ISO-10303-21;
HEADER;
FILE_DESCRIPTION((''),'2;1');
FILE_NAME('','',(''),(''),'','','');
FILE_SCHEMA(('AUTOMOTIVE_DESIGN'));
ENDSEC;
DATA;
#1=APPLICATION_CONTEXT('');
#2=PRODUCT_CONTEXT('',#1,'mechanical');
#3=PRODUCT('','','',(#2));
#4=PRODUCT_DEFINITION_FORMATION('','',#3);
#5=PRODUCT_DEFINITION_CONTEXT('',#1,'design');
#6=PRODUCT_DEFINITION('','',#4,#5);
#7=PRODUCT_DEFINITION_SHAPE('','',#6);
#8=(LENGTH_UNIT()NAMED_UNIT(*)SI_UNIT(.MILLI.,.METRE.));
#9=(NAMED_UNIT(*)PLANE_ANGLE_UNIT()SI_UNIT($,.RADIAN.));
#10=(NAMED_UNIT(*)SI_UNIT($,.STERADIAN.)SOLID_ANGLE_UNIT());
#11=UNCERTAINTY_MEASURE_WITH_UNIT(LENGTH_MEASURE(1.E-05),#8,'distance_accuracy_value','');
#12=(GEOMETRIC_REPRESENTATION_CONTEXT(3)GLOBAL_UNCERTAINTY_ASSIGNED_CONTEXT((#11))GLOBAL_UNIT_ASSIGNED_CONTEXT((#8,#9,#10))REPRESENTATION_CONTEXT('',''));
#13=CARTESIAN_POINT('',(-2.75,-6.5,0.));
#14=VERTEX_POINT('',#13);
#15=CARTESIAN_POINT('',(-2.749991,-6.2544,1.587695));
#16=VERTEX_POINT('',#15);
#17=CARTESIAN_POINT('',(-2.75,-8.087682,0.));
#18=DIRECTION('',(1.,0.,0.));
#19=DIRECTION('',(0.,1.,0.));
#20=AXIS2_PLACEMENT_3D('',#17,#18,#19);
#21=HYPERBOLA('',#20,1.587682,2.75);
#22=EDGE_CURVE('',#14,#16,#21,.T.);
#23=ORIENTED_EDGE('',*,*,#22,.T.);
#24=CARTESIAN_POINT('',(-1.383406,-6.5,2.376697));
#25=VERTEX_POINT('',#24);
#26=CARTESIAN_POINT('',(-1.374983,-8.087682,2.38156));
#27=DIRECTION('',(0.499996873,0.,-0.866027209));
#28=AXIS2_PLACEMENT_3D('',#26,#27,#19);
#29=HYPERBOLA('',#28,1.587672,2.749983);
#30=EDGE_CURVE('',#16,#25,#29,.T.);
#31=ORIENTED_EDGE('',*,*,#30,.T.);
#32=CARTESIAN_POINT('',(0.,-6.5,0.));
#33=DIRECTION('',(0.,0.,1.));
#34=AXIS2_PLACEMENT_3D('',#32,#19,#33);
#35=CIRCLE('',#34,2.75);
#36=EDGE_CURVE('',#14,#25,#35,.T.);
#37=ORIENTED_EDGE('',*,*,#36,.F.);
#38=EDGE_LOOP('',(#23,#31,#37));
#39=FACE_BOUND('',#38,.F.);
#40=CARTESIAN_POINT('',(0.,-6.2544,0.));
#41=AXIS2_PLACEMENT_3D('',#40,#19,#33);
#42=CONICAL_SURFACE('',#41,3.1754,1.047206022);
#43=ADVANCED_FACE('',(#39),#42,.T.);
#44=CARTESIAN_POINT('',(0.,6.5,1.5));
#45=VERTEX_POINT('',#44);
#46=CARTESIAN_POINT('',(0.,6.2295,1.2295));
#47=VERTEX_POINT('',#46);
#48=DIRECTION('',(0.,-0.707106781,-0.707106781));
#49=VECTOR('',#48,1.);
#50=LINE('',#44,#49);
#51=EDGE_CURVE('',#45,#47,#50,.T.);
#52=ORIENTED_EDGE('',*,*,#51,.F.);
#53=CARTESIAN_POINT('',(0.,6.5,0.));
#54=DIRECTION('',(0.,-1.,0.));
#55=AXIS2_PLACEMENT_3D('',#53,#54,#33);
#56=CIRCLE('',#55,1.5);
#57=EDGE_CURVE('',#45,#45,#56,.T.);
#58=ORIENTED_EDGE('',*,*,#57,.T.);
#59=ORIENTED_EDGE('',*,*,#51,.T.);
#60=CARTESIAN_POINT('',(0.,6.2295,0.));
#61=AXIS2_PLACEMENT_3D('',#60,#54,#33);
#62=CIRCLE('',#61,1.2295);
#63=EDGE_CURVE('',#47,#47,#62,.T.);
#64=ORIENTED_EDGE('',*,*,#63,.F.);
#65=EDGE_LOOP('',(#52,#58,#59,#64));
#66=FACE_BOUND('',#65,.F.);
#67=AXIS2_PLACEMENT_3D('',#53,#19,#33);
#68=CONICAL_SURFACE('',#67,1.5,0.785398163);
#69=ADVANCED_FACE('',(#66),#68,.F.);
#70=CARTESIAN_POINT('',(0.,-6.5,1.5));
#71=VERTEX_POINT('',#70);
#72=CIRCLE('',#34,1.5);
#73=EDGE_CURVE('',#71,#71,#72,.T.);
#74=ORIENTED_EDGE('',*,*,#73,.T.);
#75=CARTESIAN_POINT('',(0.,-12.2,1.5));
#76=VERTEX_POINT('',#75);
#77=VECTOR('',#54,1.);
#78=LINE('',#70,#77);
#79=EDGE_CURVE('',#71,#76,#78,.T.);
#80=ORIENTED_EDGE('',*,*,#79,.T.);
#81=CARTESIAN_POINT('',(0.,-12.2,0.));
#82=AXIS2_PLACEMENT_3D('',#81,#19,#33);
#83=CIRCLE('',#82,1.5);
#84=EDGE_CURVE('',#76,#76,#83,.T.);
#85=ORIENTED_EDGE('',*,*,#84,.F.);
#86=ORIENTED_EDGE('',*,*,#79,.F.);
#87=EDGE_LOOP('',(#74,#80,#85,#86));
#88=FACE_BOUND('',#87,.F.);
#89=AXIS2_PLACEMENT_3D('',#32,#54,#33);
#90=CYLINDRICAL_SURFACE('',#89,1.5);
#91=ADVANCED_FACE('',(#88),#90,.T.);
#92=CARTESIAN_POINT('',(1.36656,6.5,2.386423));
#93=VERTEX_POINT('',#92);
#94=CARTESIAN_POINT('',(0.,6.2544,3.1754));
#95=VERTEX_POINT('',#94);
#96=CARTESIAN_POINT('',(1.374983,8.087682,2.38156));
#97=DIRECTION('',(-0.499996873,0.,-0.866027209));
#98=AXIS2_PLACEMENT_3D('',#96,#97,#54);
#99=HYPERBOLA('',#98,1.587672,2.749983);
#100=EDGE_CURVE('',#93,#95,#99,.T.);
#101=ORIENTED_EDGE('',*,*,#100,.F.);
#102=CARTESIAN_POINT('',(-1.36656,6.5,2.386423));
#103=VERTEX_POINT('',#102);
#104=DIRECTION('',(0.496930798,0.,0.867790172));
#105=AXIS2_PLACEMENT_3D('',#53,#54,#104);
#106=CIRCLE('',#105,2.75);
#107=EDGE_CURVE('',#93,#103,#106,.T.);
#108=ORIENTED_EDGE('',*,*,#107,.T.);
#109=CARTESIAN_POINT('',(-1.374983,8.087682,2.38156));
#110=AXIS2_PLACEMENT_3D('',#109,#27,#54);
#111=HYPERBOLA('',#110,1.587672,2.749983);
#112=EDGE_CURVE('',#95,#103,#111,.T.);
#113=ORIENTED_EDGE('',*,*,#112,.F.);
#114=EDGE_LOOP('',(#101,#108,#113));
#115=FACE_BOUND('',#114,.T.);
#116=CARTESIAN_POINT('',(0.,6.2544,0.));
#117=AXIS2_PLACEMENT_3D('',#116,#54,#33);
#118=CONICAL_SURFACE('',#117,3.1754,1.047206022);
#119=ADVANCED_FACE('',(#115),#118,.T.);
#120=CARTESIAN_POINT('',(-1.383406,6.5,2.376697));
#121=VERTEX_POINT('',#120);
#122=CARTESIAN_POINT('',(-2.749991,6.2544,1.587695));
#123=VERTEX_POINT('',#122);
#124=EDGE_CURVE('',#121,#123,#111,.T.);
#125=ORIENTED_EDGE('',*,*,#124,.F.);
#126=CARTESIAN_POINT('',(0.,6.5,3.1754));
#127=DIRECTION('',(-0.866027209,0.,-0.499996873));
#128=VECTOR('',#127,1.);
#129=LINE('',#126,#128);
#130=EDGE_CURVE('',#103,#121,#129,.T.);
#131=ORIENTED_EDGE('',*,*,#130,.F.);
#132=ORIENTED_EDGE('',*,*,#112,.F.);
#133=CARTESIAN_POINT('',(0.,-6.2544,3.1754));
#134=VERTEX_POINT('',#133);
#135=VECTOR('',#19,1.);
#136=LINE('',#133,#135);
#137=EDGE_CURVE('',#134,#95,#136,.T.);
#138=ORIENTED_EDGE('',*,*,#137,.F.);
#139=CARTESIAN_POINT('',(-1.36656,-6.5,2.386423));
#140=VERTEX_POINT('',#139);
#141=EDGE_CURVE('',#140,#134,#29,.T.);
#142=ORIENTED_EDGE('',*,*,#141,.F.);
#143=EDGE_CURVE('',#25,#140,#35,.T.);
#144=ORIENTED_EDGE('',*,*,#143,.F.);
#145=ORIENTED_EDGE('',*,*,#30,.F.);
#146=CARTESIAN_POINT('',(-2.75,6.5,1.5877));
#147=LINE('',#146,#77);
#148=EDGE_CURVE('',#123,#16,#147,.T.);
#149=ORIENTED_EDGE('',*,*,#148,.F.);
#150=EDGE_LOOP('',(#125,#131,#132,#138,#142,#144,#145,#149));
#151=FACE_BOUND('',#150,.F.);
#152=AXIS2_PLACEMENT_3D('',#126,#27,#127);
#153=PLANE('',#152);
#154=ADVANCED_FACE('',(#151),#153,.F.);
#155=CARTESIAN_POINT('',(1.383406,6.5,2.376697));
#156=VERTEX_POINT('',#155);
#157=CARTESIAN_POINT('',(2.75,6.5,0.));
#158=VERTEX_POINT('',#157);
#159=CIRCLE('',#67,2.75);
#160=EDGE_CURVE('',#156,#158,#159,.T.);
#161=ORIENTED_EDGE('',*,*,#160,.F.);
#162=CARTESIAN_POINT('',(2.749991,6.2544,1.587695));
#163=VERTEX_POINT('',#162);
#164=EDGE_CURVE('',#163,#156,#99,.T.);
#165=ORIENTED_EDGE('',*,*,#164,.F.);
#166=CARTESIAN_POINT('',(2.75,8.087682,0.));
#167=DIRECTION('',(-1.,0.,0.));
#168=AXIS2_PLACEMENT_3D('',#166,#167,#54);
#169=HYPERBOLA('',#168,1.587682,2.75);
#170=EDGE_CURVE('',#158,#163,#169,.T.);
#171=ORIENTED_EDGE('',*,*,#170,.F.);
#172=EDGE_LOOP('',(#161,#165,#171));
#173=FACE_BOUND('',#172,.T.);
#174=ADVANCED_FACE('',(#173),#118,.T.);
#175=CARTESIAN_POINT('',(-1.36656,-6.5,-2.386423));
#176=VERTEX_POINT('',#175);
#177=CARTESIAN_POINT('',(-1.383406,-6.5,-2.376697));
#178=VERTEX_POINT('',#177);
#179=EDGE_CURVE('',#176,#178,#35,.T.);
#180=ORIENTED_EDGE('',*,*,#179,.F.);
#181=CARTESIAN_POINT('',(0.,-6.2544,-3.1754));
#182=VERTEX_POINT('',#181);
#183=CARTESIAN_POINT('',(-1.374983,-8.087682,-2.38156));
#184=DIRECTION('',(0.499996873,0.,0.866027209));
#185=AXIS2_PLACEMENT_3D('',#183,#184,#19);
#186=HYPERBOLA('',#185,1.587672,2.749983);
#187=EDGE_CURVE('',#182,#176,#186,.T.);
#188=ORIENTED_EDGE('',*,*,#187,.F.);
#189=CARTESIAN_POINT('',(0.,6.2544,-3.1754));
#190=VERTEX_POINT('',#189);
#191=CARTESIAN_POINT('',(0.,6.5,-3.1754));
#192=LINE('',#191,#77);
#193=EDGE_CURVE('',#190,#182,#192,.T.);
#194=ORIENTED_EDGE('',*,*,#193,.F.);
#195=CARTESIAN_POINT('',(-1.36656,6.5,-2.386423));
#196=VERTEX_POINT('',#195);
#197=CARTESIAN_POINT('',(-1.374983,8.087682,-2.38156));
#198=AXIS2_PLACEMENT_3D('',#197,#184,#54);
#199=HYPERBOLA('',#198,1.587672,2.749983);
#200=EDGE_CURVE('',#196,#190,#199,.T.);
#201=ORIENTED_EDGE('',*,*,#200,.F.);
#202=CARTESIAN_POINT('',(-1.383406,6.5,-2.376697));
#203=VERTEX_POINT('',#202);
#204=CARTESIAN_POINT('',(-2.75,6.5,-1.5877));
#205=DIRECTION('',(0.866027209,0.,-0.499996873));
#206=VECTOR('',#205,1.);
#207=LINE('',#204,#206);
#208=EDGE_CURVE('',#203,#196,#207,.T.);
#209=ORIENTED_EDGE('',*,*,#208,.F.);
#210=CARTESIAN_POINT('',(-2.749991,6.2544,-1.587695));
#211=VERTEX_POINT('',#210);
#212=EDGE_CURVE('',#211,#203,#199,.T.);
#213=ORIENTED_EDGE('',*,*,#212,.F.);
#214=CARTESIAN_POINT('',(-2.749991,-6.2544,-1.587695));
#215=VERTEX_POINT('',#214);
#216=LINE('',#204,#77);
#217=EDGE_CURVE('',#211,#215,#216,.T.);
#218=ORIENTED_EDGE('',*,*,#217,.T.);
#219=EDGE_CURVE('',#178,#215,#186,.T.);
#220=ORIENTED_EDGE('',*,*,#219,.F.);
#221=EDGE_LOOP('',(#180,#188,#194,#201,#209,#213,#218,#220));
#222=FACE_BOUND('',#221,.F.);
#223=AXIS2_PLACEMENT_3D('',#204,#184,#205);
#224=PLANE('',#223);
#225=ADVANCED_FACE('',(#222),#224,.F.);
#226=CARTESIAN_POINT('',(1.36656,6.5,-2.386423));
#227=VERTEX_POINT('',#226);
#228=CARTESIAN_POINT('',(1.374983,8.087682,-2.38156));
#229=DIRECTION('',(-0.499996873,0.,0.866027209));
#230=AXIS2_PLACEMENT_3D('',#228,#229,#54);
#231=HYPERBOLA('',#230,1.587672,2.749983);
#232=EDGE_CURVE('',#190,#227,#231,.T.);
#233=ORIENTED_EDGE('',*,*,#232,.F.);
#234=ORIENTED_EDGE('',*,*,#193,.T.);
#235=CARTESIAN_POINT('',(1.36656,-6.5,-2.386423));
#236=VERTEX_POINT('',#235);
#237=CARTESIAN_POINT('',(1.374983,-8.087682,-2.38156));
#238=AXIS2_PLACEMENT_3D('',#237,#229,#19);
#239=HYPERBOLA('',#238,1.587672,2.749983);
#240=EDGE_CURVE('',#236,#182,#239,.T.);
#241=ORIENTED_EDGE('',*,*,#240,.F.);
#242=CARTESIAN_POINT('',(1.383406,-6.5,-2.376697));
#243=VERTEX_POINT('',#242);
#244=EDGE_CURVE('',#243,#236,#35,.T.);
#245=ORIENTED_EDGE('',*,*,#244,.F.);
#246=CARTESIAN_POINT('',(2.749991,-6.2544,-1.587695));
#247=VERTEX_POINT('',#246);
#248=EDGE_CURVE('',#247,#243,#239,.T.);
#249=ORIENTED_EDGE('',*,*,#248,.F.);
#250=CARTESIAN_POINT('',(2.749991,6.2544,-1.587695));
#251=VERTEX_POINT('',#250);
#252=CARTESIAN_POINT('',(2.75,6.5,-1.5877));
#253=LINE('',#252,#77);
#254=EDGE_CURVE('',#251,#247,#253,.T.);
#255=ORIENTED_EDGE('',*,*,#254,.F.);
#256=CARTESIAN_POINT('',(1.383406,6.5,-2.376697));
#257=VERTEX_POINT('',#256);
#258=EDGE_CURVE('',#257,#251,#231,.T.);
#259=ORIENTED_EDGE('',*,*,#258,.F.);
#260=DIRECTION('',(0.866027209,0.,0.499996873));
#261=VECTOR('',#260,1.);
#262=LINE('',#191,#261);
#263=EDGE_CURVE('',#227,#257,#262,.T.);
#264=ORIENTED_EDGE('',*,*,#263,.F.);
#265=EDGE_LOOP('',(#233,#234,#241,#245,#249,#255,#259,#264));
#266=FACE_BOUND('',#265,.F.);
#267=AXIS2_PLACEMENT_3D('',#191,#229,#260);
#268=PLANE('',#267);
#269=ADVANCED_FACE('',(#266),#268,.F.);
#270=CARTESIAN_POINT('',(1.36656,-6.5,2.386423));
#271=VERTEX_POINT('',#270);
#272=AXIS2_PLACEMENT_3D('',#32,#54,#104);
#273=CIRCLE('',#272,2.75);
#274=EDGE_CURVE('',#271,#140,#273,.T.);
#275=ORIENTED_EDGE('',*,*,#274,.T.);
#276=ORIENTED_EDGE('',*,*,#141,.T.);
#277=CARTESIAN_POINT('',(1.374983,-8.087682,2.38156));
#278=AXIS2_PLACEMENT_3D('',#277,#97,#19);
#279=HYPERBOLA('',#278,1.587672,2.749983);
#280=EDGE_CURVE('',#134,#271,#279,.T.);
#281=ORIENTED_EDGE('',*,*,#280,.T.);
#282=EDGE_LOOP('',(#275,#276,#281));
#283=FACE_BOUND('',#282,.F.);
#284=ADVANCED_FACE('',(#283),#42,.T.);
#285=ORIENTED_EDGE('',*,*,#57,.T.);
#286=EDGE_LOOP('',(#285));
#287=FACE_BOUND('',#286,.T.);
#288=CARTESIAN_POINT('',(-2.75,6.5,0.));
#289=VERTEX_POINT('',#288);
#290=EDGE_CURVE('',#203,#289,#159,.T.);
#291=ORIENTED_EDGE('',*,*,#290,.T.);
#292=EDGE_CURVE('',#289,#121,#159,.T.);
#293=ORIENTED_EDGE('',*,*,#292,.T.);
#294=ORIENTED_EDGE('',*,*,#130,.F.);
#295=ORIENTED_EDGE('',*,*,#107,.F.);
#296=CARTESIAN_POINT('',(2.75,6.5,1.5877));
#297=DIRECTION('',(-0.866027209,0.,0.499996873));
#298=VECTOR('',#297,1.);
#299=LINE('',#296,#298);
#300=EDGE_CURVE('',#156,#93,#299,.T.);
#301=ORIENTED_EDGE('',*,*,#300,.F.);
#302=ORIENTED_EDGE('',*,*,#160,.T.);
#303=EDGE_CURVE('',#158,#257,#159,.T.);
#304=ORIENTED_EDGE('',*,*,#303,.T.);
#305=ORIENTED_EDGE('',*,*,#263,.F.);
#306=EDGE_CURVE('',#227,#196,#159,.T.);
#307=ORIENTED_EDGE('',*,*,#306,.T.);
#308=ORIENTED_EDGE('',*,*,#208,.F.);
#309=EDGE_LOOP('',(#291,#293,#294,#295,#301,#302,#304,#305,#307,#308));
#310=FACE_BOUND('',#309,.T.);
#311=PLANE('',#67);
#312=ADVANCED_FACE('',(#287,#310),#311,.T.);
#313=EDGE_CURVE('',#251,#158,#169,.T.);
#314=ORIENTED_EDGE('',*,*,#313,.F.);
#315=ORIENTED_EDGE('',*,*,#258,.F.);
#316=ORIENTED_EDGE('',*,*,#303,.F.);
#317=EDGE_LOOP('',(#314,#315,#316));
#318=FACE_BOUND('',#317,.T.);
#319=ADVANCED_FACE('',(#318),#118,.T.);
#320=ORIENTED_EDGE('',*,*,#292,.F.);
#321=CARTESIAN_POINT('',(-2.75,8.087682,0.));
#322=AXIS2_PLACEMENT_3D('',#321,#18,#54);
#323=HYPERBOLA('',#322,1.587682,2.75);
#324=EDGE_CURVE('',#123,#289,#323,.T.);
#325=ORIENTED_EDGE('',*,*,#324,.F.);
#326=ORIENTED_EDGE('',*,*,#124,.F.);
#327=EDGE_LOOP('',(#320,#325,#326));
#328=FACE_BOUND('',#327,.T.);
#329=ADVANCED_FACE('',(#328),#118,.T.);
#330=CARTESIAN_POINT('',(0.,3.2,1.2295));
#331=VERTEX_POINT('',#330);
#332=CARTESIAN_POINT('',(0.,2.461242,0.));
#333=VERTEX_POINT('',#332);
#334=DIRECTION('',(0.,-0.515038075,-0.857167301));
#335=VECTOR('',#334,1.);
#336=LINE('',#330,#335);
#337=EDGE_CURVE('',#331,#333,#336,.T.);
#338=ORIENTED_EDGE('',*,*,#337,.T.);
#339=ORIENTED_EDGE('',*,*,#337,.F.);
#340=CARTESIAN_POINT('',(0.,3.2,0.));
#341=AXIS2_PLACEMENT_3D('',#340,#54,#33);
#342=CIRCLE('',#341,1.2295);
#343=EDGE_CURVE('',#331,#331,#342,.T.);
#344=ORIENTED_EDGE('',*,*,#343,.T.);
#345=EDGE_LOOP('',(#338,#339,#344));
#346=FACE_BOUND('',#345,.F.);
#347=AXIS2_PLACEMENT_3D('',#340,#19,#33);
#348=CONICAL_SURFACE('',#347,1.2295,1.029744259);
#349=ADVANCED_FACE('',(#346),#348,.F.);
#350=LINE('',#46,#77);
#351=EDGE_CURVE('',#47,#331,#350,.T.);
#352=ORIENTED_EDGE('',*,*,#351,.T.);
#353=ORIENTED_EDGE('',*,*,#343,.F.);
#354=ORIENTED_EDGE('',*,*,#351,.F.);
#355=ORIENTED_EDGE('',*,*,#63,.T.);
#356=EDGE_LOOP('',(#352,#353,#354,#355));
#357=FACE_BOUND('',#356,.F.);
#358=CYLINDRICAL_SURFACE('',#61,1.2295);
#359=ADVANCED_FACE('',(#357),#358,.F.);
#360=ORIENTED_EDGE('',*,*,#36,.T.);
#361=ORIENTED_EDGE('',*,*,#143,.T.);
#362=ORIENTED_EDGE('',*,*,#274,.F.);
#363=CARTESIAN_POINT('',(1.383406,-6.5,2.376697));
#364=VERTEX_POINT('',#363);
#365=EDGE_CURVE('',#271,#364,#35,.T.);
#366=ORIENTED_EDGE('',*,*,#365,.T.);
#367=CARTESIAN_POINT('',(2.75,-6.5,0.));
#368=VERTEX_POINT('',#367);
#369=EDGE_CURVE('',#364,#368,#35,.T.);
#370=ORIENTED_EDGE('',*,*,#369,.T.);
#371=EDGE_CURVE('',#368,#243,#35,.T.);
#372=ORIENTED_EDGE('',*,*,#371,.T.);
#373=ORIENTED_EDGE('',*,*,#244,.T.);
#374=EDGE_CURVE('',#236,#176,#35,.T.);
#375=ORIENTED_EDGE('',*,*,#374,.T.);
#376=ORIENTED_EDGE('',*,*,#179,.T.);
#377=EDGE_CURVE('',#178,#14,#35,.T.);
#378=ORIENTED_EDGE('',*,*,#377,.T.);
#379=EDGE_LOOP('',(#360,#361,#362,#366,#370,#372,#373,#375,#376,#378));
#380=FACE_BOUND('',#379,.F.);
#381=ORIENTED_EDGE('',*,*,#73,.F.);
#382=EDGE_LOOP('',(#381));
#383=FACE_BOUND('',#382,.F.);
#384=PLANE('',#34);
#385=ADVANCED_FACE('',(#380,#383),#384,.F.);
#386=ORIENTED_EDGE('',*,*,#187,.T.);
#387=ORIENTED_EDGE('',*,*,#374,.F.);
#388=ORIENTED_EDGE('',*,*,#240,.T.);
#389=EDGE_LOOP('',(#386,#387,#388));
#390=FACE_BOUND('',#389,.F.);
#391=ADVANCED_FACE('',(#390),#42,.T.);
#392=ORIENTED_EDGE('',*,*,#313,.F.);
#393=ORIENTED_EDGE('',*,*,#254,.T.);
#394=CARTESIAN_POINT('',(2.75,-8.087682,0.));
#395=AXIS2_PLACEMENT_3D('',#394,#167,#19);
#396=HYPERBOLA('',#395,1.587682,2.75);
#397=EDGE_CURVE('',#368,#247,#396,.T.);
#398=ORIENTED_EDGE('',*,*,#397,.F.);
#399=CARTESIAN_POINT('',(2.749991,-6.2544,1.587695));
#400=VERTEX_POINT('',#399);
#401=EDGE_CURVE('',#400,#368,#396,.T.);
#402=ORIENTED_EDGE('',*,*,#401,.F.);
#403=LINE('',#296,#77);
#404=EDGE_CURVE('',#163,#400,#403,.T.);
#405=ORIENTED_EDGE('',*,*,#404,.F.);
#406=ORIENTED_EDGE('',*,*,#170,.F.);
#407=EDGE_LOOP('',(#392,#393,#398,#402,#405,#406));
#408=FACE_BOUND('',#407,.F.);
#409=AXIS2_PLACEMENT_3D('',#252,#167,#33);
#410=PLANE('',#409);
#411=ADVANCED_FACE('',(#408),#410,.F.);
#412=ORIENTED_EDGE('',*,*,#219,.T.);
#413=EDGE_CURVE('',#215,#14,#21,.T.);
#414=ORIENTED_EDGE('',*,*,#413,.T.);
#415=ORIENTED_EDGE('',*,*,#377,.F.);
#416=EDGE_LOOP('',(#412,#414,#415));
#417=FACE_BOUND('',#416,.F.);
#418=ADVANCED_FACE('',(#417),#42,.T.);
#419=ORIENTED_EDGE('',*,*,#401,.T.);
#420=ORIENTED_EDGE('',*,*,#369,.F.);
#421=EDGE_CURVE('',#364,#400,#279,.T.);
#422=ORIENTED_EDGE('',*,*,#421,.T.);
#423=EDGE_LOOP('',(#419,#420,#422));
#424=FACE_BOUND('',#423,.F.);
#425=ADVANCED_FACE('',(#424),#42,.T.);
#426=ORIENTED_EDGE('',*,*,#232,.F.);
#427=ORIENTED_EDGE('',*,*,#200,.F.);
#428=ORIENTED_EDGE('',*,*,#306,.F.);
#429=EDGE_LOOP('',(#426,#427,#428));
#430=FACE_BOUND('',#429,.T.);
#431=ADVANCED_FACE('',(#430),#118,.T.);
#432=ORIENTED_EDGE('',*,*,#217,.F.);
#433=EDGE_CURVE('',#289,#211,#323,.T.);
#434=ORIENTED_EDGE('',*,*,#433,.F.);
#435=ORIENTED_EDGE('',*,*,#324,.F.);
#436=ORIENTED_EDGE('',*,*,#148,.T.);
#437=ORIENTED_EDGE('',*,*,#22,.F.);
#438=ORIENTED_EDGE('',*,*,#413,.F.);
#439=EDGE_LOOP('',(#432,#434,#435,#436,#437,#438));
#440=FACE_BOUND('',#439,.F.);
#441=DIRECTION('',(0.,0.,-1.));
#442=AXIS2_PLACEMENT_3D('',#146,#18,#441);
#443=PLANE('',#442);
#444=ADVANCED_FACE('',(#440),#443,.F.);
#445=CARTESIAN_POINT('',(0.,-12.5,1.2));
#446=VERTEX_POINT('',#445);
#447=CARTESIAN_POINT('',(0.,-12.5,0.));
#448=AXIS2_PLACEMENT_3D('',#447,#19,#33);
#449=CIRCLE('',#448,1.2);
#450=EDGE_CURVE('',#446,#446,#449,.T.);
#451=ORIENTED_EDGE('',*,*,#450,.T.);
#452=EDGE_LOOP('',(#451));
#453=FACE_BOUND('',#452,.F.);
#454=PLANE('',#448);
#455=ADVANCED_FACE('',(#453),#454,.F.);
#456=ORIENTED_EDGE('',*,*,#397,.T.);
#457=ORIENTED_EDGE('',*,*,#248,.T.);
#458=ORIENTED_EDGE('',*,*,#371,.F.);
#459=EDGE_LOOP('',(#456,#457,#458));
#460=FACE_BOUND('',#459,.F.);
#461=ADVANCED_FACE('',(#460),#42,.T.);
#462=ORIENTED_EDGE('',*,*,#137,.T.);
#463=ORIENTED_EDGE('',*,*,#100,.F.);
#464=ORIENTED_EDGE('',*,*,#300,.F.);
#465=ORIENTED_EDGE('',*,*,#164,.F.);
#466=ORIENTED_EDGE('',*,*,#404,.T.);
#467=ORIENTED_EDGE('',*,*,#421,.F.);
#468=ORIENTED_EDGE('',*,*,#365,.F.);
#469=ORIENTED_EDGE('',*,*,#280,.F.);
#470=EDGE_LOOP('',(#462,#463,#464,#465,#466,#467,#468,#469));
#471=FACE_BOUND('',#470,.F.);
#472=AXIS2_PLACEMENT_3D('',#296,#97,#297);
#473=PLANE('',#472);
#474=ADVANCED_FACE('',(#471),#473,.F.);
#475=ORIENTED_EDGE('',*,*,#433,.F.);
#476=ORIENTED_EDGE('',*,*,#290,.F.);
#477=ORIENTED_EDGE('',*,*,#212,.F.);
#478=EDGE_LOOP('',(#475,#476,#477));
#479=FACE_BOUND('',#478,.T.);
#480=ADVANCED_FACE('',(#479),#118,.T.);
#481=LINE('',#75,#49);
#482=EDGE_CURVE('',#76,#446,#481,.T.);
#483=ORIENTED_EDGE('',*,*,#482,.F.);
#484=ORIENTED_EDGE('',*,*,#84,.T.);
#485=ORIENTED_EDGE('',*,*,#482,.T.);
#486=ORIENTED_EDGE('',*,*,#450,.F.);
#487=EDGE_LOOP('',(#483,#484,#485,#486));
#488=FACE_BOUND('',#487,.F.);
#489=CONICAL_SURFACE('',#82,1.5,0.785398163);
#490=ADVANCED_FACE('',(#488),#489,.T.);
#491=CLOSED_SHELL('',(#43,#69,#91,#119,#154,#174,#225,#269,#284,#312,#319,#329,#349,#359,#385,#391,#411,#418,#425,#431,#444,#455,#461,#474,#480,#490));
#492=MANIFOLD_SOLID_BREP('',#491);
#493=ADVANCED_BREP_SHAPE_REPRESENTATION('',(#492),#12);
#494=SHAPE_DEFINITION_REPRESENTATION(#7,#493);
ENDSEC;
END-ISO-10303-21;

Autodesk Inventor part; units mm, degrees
ref_plane "YZ Plane" through (0, 0, 0) normal (1, 0, 0) x (0, 1, 0)
ref_plane "XZ Plane" through (0, 0, 0) normal (0, 1, 0) x (-1, 0, 0)
ref_plane "XY Plane" through (0, 0, 0) normal (0, 0, 1) x (1, 0, 0)
sketch "スケッチ1" plane through (0, 0, 0) normal (1, 0, 0) x (0, 1, 0)
  line L0 (-6.5, 0) -> (6.5, 0)
  line L1 (0, 0) -> (0, 3.1754) construction
  line L2 (-6.2544, 3.1754) -> (-6.5, 2.75)
  line L3 (-6.5, 2.75) -> (-6.5, 0)
  line L4 (-6.2544, 3.1754) -> (6.2544, 3.1754)
  line L5 (6.2544, 3.1754) -> (6.5, 2.75)
  line L6 (6.5, 2.75) -> (6.5, 0)
  line L7 (-6.5, 1.5) -> (-12.2, 1.5)
  line L8 (-12.5, 1.2) -> (-12.5, 0)
  line L9 (-12.5, 0) -> (-6.5, 0)
  line L10 (-12.2, 1.5) -> (-12.5, 1.2)
  point P0 (6.5, 1.5)
  point P1 (-12.5, 1.5)
  dimension "d1" = 2.75
  dimension "d2" = 3.1754
  dimension "d3" = 30
  dimension "d4" = 13
  dimension "d18" = 6
  dimension "d19" = 3
  dimension "d22" = 0.3
  dimension "d23" = 0.3
revolve "回転1" add sketch "スケッチ1" angle 360 about axis through (0, -6.5, 0) along (0, 1, 0)
sketch "スケッチ2" plane through (0, 6.5, 0) normal (0, 1, 0) x (1, 0, 0)
  line L0 (0, -3.1754) -> (-2.75, -1.5877)
  line L1 (-2.75, -1.5877) -> (-2.75, 1.5877)
  line L2 (-2.75, 1.5877) -> (0, 3.1754)
  line L3 (0, 3.1754) -> (2.75, 1.5877)
  line L4 (2.75, 1.5877) -> (2.75, -1.5877)
  line L5 (2.75, -1.5877) -> (0, -3.1754)
  circle A0 centre (0, 0) radius 3.1754 projected
  point P0 (0, 0)
  point P1 (0, 0)
  point P2 (0, 3.1754)
  point P3 (0, 3.1754)
  point P4 (2.75, -1.5877)
  point P5 (2.75, -1.5877)
extrude "押し出し1" cut sketch "スケッチ2" against normal through all contours A0 L0 | L5 A0 | A0 L1 | L4 A0 | A0 L2 | L3 A0
hole "穴1" at (0, 6.5, 0) direction (0, -1, 0) diameter 2.459 depth 3.3 tip angle 118 countersink diameter 3 countersink angle 90 thread size "M3x0.5" class "6H" standard "ISO Metric profile"
thread "ねじ1" size "M3x0.5" class "6g" standard "ANSI Metric M Profile" full length
equation "\"d2\" = 1.1547 * d1"
equation "\"d23\" = d22"
properties part number "BSL-313BE" material "アセタール樹脂、黒"
